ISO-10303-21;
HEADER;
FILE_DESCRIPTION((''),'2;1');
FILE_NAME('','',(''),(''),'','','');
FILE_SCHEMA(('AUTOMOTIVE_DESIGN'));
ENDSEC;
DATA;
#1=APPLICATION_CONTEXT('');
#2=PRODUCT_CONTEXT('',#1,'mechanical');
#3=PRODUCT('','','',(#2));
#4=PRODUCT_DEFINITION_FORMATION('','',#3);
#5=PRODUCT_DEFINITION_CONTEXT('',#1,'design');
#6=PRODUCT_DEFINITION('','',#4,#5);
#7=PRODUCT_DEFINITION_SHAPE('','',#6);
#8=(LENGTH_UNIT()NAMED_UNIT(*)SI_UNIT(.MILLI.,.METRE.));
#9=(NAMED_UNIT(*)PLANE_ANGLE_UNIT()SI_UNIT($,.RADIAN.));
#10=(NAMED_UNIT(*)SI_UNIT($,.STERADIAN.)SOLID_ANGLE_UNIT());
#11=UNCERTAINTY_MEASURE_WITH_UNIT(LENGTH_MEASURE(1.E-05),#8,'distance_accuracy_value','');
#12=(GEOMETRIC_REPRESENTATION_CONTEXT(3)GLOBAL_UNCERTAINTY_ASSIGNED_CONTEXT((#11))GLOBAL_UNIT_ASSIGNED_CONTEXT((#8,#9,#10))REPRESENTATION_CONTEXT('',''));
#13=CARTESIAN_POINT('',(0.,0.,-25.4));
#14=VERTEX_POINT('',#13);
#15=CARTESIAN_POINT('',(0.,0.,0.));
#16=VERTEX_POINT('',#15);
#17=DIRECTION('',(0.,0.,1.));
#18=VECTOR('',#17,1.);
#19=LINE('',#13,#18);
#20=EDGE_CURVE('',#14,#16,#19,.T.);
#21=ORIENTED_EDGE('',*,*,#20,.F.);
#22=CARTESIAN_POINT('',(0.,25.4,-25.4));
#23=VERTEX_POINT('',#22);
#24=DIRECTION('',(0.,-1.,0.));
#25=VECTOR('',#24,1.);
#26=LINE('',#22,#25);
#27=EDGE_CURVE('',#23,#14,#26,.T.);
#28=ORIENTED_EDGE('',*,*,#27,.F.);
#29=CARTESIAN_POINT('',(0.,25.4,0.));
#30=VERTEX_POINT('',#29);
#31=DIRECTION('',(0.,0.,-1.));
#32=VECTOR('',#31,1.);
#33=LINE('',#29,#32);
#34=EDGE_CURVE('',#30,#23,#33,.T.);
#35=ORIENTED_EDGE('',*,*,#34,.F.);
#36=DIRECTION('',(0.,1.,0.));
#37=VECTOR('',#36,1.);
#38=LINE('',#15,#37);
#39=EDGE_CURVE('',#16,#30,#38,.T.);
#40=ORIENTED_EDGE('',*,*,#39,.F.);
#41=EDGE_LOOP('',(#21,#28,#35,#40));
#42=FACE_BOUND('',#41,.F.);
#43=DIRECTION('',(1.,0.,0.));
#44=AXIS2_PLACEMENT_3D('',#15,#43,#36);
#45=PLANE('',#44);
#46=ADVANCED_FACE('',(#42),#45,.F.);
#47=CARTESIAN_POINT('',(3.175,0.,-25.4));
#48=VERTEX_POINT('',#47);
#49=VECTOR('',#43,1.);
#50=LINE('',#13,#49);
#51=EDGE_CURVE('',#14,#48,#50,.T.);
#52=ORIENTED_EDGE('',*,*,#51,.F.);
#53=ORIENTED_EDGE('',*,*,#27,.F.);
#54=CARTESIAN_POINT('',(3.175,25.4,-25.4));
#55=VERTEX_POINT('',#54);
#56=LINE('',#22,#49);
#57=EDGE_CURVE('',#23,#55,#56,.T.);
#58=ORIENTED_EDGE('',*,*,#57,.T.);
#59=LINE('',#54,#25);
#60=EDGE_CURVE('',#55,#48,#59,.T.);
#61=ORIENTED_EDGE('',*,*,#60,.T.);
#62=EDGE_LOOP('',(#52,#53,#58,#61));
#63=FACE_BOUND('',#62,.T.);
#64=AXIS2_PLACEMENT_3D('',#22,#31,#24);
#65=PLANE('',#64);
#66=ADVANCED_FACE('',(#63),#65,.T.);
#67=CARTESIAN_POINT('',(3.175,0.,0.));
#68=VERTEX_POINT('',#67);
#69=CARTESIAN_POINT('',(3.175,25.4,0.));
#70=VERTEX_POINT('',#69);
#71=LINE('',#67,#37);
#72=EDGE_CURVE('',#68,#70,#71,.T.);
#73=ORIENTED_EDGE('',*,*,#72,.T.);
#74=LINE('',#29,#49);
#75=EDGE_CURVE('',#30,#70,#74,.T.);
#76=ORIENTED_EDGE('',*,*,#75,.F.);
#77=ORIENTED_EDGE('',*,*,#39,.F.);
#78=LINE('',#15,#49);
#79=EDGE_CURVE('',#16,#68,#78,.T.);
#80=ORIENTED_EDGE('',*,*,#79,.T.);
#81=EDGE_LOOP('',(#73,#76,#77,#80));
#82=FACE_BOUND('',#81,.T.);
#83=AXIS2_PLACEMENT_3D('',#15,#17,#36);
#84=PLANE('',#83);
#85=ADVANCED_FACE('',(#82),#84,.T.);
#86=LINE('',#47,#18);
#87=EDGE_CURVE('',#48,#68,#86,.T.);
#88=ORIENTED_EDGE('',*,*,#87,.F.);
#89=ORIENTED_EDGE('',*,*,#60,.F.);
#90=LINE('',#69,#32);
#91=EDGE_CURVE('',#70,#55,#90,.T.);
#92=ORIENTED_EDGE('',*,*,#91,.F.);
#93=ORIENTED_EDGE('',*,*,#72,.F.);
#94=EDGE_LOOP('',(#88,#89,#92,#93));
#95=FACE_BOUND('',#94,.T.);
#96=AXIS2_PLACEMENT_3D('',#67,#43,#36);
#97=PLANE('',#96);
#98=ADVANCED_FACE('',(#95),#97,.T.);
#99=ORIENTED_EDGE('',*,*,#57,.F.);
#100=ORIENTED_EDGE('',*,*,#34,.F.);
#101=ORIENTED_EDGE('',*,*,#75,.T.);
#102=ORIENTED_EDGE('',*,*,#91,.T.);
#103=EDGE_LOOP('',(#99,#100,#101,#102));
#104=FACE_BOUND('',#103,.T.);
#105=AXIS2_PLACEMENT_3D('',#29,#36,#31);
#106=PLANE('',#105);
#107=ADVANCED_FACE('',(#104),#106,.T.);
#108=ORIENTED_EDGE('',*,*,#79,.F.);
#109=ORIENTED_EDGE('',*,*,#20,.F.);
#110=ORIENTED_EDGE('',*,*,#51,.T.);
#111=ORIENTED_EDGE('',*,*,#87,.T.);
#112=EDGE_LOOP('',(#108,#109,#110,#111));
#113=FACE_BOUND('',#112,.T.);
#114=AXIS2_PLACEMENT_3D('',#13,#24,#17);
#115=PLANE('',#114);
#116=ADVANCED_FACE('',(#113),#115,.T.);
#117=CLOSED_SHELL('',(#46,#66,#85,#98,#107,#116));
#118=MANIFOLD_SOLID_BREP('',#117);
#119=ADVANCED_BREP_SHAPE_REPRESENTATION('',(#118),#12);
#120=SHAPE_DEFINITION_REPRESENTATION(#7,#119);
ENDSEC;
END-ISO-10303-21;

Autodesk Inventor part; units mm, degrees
ref_plane "YZ Plane" through (0, 0, 0) normal (1, 0, 0) x (0, 1, 0)
ref_plane "XZ Plane" through (0, 0, 0) normal (0, 1, 0) x (-1, 0, 0)
ref_plane "XY Plane" through (0, 0, 0) normal (0, 0, 1) x (1, 0, 0)
sketch "Sketch1" plane through (0, 0, 0) normal (1, 0, 0) x (0, 1, 0)
  line L0 (0, 0) -> (25.4, 0)
  line L1 (25.4, 0) -> (25.4, -25.4)
  line L2 (25.4, -25.4) -> (0, -25.4)
  line L3 (0, -25.4) -> (0, 0)
  dimension "d0" = 25.4
  dimension "d1" = 25.4
extrude "Extrusion1" add sketch "Sketch1" along normal blind 3.175
properties part number "1x1 plate spacer" material "Aluminum 6061"
